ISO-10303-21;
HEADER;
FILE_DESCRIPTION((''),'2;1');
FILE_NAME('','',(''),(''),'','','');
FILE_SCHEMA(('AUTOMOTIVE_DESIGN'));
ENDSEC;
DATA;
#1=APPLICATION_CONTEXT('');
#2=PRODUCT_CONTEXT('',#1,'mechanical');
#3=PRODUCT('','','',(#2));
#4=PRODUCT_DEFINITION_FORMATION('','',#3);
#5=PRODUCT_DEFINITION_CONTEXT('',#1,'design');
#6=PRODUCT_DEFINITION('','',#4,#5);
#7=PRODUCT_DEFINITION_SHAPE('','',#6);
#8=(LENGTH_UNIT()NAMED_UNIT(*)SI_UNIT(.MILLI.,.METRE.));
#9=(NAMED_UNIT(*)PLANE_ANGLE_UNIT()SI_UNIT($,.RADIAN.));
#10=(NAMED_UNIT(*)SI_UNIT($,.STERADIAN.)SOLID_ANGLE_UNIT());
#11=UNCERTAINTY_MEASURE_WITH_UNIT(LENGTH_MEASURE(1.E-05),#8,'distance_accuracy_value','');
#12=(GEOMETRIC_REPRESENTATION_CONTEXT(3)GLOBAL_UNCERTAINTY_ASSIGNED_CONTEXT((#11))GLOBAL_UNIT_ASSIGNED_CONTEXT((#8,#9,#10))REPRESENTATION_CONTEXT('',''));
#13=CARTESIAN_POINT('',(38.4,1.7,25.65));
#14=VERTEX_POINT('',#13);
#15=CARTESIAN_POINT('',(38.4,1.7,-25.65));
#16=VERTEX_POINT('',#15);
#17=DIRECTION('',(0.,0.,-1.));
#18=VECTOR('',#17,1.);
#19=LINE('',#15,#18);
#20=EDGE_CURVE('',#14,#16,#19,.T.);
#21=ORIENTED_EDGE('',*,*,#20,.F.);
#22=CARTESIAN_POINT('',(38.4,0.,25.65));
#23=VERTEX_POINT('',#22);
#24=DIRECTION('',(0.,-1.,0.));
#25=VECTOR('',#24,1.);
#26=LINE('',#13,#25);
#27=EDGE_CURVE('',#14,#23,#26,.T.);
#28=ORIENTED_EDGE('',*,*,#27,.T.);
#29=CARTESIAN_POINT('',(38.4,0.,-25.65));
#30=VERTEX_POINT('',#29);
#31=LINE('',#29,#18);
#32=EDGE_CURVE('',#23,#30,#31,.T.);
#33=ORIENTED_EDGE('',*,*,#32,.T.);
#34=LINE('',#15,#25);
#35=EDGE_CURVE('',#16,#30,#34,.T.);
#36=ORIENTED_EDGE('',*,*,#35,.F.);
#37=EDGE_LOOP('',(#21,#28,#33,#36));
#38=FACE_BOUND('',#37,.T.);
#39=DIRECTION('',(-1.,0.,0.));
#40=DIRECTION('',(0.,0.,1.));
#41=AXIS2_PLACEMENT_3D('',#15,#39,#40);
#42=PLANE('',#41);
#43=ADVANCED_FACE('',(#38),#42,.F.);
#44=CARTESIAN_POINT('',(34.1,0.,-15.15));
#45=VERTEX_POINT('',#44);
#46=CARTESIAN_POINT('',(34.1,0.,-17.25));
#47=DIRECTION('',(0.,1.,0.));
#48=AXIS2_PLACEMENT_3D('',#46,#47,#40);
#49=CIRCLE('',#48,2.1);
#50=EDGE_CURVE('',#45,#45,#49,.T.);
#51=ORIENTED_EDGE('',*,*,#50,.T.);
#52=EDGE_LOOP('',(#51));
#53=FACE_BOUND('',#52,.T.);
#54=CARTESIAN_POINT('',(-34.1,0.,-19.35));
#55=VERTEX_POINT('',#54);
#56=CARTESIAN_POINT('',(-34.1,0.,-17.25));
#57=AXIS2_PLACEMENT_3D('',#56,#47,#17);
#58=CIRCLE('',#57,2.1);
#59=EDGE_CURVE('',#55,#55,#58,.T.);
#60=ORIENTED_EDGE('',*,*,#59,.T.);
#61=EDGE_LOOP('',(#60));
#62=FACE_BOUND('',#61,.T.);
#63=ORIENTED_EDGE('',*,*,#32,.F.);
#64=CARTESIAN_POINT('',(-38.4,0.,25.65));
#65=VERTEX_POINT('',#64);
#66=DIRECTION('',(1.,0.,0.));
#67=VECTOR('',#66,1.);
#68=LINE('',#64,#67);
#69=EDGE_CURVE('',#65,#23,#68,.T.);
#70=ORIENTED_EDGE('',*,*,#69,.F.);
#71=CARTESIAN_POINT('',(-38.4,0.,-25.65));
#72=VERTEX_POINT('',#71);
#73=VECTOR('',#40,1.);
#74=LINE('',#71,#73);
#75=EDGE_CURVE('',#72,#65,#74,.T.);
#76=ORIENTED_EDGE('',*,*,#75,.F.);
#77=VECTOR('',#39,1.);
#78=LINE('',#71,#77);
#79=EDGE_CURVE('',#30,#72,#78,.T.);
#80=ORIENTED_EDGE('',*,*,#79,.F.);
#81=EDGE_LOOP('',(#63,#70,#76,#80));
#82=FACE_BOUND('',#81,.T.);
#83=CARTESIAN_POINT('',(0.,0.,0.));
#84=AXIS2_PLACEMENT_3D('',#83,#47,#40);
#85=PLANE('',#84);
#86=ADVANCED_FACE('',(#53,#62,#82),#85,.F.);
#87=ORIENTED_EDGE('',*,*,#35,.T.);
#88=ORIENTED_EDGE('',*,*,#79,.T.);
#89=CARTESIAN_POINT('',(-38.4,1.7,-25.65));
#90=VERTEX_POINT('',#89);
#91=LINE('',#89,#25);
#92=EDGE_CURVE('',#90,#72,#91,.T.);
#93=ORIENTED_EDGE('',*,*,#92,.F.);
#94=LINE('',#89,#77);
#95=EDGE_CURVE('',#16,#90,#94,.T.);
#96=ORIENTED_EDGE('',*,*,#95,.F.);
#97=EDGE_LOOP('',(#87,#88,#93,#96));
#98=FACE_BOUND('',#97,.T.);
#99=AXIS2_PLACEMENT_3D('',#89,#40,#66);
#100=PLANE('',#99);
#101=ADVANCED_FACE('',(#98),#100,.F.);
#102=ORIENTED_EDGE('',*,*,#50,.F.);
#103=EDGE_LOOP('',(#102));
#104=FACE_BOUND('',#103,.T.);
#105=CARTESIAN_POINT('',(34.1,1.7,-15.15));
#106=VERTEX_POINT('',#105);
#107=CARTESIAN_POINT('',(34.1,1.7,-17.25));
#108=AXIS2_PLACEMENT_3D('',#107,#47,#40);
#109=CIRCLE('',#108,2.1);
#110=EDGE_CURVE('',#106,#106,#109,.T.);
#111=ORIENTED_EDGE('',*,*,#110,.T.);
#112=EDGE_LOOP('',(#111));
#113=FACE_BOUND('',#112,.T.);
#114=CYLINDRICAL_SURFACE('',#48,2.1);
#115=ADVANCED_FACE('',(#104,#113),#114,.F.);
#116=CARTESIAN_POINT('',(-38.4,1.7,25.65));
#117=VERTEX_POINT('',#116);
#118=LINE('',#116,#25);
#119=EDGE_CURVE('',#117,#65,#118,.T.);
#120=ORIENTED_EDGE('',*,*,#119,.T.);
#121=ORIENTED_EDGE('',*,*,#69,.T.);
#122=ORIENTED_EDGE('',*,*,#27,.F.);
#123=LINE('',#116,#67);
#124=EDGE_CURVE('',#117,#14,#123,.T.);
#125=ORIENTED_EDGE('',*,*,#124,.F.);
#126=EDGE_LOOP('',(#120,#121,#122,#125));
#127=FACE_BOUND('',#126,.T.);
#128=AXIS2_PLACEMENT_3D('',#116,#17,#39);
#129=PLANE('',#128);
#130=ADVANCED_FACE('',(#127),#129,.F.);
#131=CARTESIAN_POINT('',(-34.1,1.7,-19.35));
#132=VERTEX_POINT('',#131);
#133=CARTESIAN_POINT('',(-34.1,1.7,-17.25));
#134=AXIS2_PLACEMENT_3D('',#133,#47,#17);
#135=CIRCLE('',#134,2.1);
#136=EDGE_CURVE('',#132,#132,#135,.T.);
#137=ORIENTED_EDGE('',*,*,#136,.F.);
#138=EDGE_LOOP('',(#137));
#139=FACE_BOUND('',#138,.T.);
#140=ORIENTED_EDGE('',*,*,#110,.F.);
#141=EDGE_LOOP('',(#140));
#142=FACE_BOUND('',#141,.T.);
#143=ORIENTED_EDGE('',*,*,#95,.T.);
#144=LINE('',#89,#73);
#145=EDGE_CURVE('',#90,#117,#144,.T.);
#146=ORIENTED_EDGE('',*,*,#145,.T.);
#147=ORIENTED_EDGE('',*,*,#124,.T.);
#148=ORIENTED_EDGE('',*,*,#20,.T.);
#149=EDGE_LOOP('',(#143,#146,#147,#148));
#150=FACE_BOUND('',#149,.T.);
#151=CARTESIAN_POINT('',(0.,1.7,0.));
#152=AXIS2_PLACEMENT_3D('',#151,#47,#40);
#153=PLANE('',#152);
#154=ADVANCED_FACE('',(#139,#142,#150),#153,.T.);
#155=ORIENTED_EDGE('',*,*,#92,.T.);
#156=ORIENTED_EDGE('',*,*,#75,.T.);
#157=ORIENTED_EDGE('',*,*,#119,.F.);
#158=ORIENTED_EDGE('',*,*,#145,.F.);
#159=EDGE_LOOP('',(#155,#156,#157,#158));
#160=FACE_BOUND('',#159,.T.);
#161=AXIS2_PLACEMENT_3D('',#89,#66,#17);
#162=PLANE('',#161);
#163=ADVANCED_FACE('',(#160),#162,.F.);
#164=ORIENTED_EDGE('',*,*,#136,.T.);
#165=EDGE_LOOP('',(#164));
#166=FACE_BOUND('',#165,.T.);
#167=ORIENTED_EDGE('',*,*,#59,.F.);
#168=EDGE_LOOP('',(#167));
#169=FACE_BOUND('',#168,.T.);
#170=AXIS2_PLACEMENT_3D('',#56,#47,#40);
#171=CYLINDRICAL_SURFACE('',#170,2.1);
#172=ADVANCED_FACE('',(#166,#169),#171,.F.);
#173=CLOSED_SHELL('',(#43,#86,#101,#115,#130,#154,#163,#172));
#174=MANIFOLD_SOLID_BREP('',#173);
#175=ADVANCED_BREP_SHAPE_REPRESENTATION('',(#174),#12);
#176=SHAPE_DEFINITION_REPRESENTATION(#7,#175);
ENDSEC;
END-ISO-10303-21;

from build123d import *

# Parameters (mm, degrees)
SKETCH1_W           = 76.8
SKETCH1_H           = 51.3
BOSS_EXTRUDE1_DEPTH = 1.7
SKETCH2_R           = 2.1
CUT_EXTRUDE1_DEPTH  = 47.210090889


with BuildPart() as part:
    # Sketch1 → Boss-Extrude1 (new body)
    with BuildSketch(Plane(origin=(0, 0, 0), x_dir=(1, 0, 0), z_dir=(0, 1, 0))):
        Rectangle(SKETCH1_W, SKETCH1_H)
    extrude(amount=BOSS_EXTRUDE1_DEPTH)

    # Sketch2 → Cut-Extrude1 (cut, through all)
    with BuildSketch(Plane(origin=(0, 1.7, 0), x_dir=(1, 0, 0), z_dir=(0, 1, 0))):
        with Locations(Location((34.1, 17.25, 0), (0, 0, 270))):
            Circle(SKETCH2_R)
        with Locations(Location((-34.1, 17.25, 0), (0, 0, 90))):
            Circle(SKETCH2_R)
    extrude(amount=-CUT_EXTRUDE1_DEPTH, mode=Mode.SUBTRACT)


solid = part.part
